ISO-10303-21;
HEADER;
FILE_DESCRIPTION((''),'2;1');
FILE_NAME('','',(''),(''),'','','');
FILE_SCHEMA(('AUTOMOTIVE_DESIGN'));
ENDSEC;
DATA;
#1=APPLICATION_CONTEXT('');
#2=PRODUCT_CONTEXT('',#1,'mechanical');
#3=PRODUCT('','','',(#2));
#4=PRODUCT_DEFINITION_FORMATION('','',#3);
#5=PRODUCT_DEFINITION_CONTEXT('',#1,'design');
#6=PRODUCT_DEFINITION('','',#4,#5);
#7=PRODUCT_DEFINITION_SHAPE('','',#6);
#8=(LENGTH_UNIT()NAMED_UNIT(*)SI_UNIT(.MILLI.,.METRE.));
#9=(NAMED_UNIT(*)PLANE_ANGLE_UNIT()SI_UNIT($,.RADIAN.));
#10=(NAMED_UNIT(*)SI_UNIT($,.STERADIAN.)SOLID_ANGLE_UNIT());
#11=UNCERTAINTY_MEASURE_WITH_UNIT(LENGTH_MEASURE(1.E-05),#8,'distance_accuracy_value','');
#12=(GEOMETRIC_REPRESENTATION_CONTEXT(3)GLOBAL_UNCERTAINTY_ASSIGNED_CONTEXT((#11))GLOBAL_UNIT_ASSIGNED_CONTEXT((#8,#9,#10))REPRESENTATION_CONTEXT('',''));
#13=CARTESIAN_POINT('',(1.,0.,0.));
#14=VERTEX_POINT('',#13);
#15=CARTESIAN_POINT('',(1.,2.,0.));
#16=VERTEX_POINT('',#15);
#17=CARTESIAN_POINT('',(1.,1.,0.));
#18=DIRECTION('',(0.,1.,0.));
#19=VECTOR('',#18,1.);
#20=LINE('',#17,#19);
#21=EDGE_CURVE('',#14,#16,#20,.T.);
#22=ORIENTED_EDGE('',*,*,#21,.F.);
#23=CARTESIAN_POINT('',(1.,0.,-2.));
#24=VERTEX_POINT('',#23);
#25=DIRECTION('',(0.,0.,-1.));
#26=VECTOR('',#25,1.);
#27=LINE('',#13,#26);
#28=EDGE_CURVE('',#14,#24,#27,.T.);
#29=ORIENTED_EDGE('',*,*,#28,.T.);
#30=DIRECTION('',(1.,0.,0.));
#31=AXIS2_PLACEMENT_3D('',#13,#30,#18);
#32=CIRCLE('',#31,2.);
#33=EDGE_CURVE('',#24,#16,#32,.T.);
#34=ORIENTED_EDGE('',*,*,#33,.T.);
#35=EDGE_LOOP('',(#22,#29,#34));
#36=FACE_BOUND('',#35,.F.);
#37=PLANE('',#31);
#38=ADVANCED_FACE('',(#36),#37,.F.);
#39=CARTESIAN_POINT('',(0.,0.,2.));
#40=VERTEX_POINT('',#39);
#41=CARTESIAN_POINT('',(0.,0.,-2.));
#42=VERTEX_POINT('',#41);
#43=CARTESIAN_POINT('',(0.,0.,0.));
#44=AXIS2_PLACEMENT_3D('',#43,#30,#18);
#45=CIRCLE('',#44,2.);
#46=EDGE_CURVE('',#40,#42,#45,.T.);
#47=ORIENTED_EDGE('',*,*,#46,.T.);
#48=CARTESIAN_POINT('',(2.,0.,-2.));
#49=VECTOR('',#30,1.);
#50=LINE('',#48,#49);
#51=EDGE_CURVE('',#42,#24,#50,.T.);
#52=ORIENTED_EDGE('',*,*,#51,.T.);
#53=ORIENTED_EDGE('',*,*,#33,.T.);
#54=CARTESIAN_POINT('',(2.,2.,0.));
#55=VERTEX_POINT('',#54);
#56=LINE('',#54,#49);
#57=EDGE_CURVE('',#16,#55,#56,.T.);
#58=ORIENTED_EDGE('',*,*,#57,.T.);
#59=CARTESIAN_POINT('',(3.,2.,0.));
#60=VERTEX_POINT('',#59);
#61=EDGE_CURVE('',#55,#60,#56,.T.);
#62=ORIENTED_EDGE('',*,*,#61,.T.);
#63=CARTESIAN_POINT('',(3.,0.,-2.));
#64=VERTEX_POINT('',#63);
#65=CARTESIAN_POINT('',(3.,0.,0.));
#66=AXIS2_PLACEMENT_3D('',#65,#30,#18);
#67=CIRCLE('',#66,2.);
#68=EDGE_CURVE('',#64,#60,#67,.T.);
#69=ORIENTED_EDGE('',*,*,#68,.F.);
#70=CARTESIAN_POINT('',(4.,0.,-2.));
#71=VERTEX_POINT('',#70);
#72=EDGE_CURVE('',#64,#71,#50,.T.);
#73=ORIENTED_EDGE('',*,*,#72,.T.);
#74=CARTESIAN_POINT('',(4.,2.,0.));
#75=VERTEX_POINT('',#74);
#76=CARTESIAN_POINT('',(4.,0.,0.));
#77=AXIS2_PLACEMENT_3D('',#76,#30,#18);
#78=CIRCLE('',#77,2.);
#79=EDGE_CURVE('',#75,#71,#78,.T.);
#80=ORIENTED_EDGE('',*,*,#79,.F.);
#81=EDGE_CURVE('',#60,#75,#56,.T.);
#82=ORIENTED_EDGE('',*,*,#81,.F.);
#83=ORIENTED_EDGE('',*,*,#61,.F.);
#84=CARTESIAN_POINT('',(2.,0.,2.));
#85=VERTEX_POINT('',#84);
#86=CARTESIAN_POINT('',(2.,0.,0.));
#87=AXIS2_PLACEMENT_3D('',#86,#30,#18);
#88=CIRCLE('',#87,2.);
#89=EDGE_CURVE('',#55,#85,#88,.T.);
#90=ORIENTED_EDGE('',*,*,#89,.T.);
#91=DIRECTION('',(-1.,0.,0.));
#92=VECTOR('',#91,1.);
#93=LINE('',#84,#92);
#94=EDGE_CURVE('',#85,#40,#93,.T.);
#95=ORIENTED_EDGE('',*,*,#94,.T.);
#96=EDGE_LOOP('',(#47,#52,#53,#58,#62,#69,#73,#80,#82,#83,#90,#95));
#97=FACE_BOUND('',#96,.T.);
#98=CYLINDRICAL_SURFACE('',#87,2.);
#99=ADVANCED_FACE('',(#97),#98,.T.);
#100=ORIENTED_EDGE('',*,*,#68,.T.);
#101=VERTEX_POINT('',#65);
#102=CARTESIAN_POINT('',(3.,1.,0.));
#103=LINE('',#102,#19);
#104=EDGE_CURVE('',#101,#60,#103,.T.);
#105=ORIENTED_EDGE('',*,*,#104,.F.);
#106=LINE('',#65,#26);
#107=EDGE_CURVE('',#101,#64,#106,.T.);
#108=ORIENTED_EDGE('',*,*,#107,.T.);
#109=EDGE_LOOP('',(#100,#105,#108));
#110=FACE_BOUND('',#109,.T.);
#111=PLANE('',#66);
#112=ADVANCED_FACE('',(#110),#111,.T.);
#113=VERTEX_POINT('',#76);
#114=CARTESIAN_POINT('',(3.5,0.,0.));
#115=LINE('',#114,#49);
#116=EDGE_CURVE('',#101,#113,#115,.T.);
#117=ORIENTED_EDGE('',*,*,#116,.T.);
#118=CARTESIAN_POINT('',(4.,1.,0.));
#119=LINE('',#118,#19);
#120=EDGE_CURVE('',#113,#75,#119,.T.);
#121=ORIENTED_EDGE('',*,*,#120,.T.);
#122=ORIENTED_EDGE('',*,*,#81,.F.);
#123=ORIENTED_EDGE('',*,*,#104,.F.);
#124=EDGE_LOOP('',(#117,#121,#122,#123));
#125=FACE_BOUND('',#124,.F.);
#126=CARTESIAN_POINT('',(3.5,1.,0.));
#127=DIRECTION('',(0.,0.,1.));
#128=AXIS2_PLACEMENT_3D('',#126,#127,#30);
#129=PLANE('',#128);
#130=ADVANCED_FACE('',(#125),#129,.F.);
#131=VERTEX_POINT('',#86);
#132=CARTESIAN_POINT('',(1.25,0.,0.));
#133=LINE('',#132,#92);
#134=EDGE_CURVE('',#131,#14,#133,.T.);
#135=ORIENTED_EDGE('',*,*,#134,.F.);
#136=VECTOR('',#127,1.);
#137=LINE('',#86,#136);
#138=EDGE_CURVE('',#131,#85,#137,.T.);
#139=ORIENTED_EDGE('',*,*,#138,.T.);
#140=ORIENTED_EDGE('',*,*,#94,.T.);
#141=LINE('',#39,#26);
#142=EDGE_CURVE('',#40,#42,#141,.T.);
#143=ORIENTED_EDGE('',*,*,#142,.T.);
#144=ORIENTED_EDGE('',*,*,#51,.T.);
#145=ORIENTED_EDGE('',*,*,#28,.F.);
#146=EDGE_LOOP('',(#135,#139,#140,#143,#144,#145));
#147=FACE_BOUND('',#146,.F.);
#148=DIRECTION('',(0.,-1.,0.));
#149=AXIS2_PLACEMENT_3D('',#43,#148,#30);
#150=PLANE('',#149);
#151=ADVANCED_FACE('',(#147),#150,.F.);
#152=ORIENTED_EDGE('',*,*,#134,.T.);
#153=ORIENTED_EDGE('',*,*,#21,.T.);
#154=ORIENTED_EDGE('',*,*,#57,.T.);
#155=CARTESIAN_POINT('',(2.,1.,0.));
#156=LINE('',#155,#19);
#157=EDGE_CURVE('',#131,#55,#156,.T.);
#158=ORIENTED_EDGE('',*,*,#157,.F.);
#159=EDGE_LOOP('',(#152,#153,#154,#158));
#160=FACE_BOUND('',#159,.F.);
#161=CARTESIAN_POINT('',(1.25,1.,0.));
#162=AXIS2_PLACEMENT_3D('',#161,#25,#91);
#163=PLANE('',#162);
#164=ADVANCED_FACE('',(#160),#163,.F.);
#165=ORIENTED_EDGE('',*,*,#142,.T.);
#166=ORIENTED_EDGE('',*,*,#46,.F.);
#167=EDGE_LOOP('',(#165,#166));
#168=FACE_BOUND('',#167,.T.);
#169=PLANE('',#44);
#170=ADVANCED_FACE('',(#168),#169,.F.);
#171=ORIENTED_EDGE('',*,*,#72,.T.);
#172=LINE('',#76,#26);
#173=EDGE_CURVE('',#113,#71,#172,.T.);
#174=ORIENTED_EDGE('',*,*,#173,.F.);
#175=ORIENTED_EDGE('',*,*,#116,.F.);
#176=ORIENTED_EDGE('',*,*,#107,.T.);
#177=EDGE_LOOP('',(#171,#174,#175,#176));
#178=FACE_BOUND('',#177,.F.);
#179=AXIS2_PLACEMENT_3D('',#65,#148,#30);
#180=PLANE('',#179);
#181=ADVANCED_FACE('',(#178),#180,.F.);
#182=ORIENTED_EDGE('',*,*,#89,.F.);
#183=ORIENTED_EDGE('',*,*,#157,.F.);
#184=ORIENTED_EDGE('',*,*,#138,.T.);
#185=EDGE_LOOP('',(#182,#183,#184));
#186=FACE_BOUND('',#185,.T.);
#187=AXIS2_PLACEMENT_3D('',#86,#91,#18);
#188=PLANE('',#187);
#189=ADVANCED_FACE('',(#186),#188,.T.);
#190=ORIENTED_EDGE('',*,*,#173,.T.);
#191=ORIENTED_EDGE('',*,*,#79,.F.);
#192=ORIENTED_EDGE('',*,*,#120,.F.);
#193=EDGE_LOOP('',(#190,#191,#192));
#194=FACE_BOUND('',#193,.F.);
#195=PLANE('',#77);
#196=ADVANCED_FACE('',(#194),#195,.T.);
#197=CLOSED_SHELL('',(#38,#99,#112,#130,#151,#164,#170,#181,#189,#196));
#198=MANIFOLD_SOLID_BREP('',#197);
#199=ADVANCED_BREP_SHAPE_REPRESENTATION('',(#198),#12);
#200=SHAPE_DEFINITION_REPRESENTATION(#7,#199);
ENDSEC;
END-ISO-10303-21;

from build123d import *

# Parameters (mm, degrees)
SKETCH5_W          = 4
SKETCH5_H          = 2
SKETCH6_W          = 1
SKETCH6_H          = 2
CUT_EXTRUDE5_DEPTH = 11
SKETCH8_W          = 0.5
SKETCH8_H          = 2
CUT_EXTRUDE7_DEPTH = 10
SKETCH9_W          = 1.5
SKETCH9_H          = 2
CUT_EXTRUDE8_DEPTH = 10


with BuildPart() as part:
    # Sketch5 → Revolve-Thin2 (revolve)
    with BuildSketch(Plane.XY):
        with Locations((2, 1)):
            Rectangle(SKETCH5_W, SKETCH5_H)
    revolve(axis=Axis((0, 0, 0), (1, 0, 0)))

    # Sketch6 → Cut-Extrude5 (cut)
    with BuildSketch(Plane.XY):
        with Locations((3.5, 1)):
            Rectangle(SKETCH6_W, SKETCH6_H)
        with Locations((0.5, 1)):
            Rectangle(SKETCH6_W, SKETCH6_H)
    extrude(amount=-CUT_EXTRUDE5_DEPTH, mode=Mode.SUBTRACT)

    # Sketch8 → Cut-Extrude7 (cut)
    with BuildSketch(Plane(origin=(0, 0, 0), x_dir=(-1, 0, 0), z_dir=(0, 0, -1))):
        with Locations((-0.25, 1)):
            Rectangle(SKETCH8_W, SKETCH8_H)
    extrude(amount=-CUT_EXTRUDE7_DEPTH, mode=Mode.SUBTRACT)

    # Sketch9 → Cut-Extrude8 (cut)
    with BuildSketch(Plane(origin=(0, 0, 0), x_dir=(-1, 0, 0), z_dir=(0, 0, -1))):
        with Locations((-1.25, 1)):
            Rectangle(SKETCH9_W, SKETCH9_H)
    extrude(amount=-CUT_EXTRUDE8_DEPTH, mode=Mode.SUBTRACT)


solid = part.part
